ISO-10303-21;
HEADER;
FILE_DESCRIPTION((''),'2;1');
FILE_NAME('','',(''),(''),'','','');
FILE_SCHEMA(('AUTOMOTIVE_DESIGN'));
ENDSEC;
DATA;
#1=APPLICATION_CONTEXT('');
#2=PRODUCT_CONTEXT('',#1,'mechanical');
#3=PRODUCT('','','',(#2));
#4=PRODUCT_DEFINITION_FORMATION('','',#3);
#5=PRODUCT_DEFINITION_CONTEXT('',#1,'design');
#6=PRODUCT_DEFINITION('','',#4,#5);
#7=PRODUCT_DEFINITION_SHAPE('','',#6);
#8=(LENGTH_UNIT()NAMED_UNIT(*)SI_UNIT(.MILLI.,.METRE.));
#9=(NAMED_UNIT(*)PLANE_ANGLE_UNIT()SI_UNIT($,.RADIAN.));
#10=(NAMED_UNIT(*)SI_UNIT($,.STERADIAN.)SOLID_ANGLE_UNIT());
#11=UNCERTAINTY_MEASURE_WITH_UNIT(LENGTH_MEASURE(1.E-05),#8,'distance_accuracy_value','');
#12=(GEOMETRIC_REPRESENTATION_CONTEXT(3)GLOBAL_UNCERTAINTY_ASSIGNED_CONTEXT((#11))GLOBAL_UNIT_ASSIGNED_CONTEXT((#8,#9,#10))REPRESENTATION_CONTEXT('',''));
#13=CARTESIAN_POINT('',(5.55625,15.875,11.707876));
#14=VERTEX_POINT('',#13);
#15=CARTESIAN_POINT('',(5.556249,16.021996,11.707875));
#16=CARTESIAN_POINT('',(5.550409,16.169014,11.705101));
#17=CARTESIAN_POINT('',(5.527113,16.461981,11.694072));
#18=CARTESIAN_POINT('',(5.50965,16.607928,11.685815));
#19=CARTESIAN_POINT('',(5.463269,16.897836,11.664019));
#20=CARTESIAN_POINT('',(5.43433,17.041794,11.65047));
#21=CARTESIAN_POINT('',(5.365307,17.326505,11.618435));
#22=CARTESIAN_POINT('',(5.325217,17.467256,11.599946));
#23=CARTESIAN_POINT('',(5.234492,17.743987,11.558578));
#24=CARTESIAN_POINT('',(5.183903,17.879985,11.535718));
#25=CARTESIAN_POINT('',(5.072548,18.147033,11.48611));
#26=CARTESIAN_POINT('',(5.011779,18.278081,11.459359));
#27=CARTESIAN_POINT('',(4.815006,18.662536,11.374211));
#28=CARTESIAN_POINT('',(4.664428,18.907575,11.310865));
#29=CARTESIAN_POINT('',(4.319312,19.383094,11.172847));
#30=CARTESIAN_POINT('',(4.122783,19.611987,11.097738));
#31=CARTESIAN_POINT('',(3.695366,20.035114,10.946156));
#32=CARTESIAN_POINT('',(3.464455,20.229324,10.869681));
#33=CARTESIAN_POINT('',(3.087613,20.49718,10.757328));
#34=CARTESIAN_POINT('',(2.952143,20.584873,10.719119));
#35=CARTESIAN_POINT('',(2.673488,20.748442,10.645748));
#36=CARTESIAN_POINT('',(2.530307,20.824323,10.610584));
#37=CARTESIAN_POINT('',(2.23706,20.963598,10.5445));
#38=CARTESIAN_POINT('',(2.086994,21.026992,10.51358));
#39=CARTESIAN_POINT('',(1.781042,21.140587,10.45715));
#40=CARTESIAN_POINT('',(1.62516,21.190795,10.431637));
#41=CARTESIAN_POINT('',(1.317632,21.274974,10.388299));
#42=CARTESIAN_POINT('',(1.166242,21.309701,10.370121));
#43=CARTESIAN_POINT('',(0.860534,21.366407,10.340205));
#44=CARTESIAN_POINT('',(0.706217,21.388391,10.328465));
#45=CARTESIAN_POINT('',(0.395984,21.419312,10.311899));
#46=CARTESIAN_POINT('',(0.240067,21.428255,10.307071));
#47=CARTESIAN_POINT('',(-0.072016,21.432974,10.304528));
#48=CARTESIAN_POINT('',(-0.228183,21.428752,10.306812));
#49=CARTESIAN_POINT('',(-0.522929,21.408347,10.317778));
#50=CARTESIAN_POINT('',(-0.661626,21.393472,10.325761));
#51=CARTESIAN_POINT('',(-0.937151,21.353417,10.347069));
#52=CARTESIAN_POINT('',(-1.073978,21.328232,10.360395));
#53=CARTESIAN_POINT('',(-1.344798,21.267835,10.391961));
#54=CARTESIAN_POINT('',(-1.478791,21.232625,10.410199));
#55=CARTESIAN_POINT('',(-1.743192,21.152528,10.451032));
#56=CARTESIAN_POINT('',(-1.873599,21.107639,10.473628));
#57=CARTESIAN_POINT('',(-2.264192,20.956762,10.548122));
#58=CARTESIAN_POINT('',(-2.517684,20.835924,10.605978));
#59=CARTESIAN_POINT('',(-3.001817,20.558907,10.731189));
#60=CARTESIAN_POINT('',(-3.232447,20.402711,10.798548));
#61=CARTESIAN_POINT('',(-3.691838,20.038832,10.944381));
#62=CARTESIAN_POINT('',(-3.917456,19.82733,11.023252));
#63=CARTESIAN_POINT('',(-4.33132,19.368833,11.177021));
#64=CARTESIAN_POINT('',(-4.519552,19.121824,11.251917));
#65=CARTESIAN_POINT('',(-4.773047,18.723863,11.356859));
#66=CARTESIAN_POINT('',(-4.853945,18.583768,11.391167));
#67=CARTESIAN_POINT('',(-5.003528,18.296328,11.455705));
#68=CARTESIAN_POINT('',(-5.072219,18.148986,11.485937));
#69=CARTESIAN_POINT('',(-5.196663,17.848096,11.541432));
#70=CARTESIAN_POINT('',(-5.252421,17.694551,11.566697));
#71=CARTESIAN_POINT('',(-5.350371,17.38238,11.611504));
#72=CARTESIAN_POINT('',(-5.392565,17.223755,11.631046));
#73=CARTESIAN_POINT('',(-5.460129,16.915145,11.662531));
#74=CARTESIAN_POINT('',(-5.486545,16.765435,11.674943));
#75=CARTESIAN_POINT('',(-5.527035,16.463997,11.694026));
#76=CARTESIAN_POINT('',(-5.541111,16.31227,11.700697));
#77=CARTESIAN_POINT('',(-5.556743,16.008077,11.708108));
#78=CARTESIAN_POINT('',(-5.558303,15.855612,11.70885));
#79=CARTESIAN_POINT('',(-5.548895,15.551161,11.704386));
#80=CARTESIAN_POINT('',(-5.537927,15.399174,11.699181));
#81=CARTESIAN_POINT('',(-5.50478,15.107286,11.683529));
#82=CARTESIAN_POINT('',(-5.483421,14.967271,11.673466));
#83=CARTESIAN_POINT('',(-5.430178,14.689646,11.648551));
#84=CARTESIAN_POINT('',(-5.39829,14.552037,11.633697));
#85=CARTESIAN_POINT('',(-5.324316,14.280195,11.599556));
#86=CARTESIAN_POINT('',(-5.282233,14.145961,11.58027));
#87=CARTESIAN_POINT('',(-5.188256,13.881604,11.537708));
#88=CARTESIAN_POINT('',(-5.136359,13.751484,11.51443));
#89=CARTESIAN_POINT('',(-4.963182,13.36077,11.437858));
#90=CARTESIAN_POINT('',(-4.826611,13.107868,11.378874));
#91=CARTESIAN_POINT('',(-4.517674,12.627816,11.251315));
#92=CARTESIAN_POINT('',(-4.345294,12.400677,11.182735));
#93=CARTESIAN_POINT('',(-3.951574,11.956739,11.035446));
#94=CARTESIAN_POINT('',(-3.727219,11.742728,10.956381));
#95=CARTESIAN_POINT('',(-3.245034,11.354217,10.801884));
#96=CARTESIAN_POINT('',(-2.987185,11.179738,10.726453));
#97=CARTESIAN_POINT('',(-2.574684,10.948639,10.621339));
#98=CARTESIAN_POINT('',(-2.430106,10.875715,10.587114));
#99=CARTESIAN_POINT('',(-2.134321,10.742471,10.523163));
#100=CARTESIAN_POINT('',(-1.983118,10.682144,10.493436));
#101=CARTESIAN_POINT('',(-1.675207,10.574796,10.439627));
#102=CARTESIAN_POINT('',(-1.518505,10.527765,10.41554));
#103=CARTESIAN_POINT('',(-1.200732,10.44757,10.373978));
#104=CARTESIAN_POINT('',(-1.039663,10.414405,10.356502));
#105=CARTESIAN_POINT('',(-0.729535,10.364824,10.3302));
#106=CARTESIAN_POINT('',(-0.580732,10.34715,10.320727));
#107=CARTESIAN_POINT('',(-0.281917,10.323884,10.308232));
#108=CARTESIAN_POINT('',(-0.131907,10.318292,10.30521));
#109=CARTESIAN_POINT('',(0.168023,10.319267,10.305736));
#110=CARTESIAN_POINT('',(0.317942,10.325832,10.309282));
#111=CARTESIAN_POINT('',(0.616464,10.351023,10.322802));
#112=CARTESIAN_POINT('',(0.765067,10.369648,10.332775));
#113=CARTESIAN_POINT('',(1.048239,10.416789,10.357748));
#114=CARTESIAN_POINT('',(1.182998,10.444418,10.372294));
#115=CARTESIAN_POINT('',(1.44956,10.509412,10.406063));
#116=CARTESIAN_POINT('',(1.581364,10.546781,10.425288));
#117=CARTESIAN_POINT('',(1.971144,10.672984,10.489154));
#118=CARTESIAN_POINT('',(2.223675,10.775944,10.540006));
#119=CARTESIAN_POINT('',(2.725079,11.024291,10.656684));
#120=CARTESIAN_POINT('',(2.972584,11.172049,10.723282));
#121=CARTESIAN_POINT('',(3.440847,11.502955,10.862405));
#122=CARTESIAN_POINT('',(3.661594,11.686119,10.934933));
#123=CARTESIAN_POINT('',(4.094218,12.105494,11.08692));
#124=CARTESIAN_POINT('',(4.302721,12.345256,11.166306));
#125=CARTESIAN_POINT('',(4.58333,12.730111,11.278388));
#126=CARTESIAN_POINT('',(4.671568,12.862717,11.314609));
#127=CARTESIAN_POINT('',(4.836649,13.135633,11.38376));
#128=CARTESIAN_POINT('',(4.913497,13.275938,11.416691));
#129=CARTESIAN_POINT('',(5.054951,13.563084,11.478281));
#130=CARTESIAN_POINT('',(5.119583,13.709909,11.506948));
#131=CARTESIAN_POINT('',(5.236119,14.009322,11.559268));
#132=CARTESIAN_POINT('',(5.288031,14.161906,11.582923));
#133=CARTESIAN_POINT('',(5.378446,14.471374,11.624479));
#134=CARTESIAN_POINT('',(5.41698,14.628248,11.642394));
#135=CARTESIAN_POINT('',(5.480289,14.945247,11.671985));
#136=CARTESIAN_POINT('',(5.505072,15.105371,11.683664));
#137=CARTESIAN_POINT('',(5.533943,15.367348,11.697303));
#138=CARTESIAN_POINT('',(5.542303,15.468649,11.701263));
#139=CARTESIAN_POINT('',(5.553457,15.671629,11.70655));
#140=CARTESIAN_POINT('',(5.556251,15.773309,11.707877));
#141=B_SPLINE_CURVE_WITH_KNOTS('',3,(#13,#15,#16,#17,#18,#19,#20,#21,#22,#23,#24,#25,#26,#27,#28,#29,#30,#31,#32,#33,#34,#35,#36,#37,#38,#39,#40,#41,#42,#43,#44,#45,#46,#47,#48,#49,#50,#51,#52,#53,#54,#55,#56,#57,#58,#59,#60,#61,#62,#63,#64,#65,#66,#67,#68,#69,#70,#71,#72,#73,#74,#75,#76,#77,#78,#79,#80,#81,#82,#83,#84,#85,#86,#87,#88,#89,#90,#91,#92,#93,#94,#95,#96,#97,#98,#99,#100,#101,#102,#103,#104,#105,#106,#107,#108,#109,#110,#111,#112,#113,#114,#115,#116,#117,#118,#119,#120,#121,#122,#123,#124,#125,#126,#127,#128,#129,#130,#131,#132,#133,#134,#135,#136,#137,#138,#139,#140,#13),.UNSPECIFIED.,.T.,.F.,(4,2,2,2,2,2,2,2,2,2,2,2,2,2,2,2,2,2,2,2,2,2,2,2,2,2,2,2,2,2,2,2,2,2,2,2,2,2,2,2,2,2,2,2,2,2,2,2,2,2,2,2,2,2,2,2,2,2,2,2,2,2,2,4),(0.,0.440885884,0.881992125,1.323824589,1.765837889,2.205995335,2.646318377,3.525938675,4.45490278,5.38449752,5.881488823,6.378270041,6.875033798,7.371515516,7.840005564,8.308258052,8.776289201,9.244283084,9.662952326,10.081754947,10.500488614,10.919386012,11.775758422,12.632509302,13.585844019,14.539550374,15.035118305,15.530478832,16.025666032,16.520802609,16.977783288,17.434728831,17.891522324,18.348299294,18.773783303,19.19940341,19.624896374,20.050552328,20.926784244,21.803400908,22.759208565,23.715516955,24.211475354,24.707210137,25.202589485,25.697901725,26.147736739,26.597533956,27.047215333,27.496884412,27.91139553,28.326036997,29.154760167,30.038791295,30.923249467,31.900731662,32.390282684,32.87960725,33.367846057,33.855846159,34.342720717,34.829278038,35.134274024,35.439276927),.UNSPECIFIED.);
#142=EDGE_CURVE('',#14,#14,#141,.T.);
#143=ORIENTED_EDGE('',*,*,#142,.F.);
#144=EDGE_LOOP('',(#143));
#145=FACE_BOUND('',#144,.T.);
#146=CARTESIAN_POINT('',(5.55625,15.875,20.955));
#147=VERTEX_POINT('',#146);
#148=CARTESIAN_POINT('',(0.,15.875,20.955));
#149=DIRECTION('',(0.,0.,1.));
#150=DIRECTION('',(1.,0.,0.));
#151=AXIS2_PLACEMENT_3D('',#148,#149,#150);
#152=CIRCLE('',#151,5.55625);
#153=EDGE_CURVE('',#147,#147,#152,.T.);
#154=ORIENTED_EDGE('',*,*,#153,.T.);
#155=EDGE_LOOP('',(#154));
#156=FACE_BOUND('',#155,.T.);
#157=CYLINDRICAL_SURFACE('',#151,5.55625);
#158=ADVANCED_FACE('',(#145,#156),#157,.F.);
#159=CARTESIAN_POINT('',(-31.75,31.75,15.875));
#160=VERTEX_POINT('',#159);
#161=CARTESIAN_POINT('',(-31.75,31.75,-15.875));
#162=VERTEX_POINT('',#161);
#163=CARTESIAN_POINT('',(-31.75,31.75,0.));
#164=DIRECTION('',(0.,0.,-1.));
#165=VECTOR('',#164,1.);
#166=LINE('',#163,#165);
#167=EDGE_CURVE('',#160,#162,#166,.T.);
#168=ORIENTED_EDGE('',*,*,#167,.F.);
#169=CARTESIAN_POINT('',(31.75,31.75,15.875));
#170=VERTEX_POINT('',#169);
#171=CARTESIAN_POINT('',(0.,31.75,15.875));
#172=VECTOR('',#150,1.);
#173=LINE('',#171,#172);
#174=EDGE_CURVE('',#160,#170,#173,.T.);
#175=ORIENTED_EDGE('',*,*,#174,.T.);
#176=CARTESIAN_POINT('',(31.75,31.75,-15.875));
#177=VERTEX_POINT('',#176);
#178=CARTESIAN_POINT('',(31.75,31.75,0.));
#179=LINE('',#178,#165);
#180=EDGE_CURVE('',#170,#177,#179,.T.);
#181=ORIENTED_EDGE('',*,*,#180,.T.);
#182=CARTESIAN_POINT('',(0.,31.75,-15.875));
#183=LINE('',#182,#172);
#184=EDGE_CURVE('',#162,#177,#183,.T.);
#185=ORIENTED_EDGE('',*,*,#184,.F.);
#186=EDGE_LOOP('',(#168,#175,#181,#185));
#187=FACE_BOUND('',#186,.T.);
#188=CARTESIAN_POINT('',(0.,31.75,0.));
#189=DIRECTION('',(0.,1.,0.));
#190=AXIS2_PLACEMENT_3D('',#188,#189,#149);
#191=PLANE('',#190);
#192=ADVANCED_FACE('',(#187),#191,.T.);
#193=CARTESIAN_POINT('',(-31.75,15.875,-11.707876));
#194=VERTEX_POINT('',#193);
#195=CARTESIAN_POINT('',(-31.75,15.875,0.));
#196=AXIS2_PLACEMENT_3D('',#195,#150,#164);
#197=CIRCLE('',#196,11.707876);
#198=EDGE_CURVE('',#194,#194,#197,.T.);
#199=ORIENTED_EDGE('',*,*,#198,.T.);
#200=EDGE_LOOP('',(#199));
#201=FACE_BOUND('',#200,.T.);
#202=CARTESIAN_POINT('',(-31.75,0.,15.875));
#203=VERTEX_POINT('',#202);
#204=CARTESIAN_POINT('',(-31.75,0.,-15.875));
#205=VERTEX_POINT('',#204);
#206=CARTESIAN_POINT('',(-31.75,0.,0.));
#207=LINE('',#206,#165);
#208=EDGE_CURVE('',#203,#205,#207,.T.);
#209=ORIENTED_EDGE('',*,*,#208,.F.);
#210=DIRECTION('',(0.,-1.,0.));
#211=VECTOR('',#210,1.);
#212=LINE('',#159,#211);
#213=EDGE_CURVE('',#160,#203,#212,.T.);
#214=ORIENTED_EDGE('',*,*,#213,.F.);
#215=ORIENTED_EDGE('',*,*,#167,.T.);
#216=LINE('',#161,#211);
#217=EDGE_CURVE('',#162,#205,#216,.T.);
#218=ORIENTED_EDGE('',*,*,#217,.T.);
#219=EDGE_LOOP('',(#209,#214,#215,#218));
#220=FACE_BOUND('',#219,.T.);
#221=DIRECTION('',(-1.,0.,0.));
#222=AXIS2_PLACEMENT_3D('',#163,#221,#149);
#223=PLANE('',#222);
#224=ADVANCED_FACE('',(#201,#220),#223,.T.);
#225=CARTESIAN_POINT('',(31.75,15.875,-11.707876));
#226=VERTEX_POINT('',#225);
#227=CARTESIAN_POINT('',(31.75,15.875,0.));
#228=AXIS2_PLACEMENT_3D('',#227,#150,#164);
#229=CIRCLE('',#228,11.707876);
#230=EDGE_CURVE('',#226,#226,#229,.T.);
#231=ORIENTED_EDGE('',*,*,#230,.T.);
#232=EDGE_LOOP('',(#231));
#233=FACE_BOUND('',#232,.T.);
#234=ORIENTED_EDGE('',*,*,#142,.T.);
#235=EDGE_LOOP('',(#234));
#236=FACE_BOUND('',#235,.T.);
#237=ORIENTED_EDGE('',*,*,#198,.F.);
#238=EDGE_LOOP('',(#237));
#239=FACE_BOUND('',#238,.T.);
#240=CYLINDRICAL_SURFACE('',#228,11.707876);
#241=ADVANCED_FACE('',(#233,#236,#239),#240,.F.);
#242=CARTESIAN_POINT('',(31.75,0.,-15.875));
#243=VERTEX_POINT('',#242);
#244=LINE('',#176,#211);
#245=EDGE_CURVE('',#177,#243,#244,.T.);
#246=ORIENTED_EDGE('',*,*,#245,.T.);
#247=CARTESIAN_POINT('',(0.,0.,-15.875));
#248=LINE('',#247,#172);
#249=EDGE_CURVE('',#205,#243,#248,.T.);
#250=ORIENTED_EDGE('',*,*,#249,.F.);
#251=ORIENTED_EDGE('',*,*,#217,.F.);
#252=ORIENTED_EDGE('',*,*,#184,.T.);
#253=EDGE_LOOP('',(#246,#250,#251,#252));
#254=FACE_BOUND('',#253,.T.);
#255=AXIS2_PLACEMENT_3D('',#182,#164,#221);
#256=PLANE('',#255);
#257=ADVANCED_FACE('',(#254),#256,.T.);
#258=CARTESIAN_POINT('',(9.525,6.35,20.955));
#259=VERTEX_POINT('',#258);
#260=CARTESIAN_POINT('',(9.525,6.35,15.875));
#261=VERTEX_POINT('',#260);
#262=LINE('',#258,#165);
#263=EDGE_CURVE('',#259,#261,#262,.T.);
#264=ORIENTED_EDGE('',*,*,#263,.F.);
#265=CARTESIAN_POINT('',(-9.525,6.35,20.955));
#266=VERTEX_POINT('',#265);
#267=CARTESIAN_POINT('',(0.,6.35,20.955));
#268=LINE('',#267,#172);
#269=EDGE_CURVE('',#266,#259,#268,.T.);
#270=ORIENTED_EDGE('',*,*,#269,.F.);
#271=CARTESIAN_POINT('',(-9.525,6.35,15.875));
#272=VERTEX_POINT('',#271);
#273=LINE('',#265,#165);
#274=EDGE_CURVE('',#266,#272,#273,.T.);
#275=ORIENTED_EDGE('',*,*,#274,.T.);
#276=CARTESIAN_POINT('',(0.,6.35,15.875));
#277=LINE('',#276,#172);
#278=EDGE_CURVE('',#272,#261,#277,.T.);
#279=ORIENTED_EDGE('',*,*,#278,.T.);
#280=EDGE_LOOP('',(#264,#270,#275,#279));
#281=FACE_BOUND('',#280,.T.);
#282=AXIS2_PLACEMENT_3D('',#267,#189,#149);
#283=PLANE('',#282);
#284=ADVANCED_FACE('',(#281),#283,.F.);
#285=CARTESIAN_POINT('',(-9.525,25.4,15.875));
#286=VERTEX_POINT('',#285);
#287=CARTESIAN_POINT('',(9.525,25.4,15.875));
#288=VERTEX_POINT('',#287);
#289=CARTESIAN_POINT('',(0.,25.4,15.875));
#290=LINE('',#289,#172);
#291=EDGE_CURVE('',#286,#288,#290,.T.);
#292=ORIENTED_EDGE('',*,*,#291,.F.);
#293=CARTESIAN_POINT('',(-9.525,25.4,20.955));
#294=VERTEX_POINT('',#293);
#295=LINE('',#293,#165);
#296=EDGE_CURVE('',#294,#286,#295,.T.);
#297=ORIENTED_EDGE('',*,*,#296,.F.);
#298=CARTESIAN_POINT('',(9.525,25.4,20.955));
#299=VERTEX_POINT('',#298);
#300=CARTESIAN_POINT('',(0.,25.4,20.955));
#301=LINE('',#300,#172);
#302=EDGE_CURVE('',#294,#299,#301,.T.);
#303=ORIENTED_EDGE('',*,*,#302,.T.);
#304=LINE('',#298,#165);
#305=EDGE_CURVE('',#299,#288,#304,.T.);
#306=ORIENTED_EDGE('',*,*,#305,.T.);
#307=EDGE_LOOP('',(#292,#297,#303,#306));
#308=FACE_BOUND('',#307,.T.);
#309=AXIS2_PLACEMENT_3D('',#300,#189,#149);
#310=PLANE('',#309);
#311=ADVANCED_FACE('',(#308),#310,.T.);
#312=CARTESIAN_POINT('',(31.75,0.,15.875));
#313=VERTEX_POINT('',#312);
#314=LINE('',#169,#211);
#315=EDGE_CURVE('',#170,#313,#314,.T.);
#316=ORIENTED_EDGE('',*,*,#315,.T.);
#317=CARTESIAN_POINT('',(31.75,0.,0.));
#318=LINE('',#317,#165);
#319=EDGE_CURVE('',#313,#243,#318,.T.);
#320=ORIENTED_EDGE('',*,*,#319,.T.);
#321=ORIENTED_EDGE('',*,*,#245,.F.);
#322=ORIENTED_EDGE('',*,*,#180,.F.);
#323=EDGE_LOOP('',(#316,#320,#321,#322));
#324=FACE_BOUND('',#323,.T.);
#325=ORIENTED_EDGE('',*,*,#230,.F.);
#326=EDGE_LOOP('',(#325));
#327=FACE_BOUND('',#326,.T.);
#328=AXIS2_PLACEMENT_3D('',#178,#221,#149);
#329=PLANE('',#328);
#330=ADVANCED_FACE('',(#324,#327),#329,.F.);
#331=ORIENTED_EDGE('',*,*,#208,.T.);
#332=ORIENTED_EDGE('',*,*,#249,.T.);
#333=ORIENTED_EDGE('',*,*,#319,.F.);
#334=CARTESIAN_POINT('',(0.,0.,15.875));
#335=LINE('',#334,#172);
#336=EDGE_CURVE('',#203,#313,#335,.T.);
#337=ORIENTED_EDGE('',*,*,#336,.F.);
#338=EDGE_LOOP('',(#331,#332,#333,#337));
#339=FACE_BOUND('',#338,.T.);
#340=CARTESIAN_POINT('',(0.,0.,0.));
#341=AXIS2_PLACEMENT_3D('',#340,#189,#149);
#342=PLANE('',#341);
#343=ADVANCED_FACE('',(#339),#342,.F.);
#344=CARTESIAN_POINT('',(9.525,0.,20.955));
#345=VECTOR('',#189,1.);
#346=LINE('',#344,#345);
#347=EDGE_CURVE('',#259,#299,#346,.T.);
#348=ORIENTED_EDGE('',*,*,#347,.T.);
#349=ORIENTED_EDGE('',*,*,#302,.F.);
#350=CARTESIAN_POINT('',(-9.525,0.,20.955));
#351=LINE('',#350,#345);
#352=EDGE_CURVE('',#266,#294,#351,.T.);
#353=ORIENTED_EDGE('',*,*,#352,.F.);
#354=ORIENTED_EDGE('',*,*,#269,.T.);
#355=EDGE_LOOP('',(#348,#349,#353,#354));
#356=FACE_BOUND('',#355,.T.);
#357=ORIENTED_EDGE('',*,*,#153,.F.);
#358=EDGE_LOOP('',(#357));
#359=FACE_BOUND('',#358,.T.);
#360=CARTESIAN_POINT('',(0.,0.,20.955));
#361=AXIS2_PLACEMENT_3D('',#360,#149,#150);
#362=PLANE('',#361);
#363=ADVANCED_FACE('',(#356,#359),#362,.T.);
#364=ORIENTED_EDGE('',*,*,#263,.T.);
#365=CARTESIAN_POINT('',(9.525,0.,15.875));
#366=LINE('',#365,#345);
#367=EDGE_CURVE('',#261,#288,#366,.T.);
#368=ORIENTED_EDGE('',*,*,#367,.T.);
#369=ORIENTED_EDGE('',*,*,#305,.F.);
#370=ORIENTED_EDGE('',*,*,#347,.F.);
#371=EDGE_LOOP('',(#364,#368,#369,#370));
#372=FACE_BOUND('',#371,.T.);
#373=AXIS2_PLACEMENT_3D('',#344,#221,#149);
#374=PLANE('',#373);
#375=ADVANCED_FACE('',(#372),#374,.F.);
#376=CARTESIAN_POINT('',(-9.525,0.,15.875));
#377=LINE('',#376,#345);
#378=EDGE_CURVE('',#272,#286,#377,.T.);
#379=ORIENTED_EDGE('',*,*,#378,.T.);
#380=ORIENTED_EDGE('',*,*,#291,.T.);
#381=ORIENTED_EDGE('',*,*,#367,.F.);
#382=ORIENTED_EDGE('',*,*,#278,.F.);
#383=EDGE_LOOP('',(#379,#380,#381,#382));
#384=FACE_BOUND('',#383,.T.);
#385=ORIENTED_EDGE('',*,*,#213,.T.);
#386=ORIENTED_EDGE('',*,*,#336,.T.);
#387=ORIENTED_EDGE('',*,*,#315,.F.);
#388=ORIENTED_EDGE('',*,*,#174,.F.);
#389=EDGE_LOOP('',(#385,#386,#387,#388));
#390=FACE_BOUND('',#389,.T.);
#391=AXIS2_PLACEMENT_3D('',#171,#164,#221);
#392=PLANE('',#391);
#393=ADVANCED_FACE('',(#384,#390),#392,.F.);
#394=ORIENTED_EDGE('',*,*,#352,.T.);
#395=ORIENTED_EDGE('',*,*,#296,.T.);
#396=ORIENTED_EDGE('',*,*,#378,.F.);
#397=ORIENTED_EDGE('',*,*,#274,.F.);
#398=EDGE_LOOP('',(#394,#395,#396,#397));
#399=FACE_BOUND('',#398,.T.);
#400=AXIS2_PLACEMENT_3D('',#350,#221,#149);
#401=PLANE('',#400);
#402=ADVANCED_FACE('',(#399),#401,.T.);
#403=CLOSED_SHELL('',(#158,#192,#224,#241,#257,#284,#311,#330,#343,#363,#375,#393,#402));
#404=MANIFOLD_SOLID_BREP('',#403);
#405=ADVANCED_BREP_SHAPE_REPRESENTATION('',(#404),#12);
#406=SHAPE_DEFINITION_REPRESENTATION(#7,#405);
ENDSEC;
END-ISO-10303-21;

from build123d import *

# Parameters (mm, degrees)
SKETCH2_W                          = 63.5
SKETCH2_H                          = 31.75
BOSS_EXTRUDE1_DEPTH                = 31.75
F_59_64_0_92188_DIAMETER_HOLE1_D   = 23.415752
BOSS_EXTRUDE2_DEPTH                = 5.08
F_7_16_0_4375_DIAMETER_HOLE1_D     = 11.1125
F_7_16_0_4375_DIAMETER_HOLE1_DEPTH = 25.4
F_7_16_0_4375_DIAMETER_HOLE1_TIP   = 3.338531814


with BuildPart() as part:
    # Sketch2 → Boss-Extrude1 (new body)
    with BuildSketch(Plane(origin=(0, 0, 0), x_dir=(1, 0, 0), z_dir=(0, 1, 0))):
        Rectangle(SKETCH2_W, SKETCH2_H)
    extrude(amount=BOSS_EXTRUDE1_DEPTH)

    # 59/64 (0.92188) Diameter Hole1 (through all)
    with Locations(Plane(origin=(31.75, 0, 0), x_dir=(0, 0, -1), z_dir=(1, 0, 0))):
        with Locations((0, 15.875)):
            Hole(F_59_64_0_92188_DIAMETER_HOLE1_D / 2)

    # Sketch10 → Boss-Extrude2 (add)
    with BuildSketch(Plane.XY.offset(15.875)):
        Polygon((9.525, 11.1125), (-9.525, 20.6375), (-9.525, 6.35), (9.525, 6.35), align=None)
        Polygon((-9.525, 25.4), (-9.525, 20.6375), (9.525, 11.1125), (9.525, 25.4), align=None)
    extrude(amount=BOSS_EXTRUDE2_DEPTH)

    # 7/16 (0.4375) Diameter Hole1
    with Locations(Plane.XY.offset(20.955)):
        with Locations((0, 15.875)):
            Hole(F_7_16_0_4375_DIAMETER_HOLE1_D / 2, depth=F_7_16_0_4375_DIAMETER_HOLE1_DEPTH)
            with Locations((0, 0, -(F_7_16_0_4375_DIAMETER_HOLE1_DEPTH + F_7_16_0_4375_DIAMETER_HOLE1_TIP / 2))):  # 118° drill point
                Cone(0, F_7_16_0_4375_DIAMETER_HOLE1_D / 2, F_7_16_0_4375_DIAMETER_HOLE1_TIP, mode=Mode.SUBTRACT)


solid = part.part
